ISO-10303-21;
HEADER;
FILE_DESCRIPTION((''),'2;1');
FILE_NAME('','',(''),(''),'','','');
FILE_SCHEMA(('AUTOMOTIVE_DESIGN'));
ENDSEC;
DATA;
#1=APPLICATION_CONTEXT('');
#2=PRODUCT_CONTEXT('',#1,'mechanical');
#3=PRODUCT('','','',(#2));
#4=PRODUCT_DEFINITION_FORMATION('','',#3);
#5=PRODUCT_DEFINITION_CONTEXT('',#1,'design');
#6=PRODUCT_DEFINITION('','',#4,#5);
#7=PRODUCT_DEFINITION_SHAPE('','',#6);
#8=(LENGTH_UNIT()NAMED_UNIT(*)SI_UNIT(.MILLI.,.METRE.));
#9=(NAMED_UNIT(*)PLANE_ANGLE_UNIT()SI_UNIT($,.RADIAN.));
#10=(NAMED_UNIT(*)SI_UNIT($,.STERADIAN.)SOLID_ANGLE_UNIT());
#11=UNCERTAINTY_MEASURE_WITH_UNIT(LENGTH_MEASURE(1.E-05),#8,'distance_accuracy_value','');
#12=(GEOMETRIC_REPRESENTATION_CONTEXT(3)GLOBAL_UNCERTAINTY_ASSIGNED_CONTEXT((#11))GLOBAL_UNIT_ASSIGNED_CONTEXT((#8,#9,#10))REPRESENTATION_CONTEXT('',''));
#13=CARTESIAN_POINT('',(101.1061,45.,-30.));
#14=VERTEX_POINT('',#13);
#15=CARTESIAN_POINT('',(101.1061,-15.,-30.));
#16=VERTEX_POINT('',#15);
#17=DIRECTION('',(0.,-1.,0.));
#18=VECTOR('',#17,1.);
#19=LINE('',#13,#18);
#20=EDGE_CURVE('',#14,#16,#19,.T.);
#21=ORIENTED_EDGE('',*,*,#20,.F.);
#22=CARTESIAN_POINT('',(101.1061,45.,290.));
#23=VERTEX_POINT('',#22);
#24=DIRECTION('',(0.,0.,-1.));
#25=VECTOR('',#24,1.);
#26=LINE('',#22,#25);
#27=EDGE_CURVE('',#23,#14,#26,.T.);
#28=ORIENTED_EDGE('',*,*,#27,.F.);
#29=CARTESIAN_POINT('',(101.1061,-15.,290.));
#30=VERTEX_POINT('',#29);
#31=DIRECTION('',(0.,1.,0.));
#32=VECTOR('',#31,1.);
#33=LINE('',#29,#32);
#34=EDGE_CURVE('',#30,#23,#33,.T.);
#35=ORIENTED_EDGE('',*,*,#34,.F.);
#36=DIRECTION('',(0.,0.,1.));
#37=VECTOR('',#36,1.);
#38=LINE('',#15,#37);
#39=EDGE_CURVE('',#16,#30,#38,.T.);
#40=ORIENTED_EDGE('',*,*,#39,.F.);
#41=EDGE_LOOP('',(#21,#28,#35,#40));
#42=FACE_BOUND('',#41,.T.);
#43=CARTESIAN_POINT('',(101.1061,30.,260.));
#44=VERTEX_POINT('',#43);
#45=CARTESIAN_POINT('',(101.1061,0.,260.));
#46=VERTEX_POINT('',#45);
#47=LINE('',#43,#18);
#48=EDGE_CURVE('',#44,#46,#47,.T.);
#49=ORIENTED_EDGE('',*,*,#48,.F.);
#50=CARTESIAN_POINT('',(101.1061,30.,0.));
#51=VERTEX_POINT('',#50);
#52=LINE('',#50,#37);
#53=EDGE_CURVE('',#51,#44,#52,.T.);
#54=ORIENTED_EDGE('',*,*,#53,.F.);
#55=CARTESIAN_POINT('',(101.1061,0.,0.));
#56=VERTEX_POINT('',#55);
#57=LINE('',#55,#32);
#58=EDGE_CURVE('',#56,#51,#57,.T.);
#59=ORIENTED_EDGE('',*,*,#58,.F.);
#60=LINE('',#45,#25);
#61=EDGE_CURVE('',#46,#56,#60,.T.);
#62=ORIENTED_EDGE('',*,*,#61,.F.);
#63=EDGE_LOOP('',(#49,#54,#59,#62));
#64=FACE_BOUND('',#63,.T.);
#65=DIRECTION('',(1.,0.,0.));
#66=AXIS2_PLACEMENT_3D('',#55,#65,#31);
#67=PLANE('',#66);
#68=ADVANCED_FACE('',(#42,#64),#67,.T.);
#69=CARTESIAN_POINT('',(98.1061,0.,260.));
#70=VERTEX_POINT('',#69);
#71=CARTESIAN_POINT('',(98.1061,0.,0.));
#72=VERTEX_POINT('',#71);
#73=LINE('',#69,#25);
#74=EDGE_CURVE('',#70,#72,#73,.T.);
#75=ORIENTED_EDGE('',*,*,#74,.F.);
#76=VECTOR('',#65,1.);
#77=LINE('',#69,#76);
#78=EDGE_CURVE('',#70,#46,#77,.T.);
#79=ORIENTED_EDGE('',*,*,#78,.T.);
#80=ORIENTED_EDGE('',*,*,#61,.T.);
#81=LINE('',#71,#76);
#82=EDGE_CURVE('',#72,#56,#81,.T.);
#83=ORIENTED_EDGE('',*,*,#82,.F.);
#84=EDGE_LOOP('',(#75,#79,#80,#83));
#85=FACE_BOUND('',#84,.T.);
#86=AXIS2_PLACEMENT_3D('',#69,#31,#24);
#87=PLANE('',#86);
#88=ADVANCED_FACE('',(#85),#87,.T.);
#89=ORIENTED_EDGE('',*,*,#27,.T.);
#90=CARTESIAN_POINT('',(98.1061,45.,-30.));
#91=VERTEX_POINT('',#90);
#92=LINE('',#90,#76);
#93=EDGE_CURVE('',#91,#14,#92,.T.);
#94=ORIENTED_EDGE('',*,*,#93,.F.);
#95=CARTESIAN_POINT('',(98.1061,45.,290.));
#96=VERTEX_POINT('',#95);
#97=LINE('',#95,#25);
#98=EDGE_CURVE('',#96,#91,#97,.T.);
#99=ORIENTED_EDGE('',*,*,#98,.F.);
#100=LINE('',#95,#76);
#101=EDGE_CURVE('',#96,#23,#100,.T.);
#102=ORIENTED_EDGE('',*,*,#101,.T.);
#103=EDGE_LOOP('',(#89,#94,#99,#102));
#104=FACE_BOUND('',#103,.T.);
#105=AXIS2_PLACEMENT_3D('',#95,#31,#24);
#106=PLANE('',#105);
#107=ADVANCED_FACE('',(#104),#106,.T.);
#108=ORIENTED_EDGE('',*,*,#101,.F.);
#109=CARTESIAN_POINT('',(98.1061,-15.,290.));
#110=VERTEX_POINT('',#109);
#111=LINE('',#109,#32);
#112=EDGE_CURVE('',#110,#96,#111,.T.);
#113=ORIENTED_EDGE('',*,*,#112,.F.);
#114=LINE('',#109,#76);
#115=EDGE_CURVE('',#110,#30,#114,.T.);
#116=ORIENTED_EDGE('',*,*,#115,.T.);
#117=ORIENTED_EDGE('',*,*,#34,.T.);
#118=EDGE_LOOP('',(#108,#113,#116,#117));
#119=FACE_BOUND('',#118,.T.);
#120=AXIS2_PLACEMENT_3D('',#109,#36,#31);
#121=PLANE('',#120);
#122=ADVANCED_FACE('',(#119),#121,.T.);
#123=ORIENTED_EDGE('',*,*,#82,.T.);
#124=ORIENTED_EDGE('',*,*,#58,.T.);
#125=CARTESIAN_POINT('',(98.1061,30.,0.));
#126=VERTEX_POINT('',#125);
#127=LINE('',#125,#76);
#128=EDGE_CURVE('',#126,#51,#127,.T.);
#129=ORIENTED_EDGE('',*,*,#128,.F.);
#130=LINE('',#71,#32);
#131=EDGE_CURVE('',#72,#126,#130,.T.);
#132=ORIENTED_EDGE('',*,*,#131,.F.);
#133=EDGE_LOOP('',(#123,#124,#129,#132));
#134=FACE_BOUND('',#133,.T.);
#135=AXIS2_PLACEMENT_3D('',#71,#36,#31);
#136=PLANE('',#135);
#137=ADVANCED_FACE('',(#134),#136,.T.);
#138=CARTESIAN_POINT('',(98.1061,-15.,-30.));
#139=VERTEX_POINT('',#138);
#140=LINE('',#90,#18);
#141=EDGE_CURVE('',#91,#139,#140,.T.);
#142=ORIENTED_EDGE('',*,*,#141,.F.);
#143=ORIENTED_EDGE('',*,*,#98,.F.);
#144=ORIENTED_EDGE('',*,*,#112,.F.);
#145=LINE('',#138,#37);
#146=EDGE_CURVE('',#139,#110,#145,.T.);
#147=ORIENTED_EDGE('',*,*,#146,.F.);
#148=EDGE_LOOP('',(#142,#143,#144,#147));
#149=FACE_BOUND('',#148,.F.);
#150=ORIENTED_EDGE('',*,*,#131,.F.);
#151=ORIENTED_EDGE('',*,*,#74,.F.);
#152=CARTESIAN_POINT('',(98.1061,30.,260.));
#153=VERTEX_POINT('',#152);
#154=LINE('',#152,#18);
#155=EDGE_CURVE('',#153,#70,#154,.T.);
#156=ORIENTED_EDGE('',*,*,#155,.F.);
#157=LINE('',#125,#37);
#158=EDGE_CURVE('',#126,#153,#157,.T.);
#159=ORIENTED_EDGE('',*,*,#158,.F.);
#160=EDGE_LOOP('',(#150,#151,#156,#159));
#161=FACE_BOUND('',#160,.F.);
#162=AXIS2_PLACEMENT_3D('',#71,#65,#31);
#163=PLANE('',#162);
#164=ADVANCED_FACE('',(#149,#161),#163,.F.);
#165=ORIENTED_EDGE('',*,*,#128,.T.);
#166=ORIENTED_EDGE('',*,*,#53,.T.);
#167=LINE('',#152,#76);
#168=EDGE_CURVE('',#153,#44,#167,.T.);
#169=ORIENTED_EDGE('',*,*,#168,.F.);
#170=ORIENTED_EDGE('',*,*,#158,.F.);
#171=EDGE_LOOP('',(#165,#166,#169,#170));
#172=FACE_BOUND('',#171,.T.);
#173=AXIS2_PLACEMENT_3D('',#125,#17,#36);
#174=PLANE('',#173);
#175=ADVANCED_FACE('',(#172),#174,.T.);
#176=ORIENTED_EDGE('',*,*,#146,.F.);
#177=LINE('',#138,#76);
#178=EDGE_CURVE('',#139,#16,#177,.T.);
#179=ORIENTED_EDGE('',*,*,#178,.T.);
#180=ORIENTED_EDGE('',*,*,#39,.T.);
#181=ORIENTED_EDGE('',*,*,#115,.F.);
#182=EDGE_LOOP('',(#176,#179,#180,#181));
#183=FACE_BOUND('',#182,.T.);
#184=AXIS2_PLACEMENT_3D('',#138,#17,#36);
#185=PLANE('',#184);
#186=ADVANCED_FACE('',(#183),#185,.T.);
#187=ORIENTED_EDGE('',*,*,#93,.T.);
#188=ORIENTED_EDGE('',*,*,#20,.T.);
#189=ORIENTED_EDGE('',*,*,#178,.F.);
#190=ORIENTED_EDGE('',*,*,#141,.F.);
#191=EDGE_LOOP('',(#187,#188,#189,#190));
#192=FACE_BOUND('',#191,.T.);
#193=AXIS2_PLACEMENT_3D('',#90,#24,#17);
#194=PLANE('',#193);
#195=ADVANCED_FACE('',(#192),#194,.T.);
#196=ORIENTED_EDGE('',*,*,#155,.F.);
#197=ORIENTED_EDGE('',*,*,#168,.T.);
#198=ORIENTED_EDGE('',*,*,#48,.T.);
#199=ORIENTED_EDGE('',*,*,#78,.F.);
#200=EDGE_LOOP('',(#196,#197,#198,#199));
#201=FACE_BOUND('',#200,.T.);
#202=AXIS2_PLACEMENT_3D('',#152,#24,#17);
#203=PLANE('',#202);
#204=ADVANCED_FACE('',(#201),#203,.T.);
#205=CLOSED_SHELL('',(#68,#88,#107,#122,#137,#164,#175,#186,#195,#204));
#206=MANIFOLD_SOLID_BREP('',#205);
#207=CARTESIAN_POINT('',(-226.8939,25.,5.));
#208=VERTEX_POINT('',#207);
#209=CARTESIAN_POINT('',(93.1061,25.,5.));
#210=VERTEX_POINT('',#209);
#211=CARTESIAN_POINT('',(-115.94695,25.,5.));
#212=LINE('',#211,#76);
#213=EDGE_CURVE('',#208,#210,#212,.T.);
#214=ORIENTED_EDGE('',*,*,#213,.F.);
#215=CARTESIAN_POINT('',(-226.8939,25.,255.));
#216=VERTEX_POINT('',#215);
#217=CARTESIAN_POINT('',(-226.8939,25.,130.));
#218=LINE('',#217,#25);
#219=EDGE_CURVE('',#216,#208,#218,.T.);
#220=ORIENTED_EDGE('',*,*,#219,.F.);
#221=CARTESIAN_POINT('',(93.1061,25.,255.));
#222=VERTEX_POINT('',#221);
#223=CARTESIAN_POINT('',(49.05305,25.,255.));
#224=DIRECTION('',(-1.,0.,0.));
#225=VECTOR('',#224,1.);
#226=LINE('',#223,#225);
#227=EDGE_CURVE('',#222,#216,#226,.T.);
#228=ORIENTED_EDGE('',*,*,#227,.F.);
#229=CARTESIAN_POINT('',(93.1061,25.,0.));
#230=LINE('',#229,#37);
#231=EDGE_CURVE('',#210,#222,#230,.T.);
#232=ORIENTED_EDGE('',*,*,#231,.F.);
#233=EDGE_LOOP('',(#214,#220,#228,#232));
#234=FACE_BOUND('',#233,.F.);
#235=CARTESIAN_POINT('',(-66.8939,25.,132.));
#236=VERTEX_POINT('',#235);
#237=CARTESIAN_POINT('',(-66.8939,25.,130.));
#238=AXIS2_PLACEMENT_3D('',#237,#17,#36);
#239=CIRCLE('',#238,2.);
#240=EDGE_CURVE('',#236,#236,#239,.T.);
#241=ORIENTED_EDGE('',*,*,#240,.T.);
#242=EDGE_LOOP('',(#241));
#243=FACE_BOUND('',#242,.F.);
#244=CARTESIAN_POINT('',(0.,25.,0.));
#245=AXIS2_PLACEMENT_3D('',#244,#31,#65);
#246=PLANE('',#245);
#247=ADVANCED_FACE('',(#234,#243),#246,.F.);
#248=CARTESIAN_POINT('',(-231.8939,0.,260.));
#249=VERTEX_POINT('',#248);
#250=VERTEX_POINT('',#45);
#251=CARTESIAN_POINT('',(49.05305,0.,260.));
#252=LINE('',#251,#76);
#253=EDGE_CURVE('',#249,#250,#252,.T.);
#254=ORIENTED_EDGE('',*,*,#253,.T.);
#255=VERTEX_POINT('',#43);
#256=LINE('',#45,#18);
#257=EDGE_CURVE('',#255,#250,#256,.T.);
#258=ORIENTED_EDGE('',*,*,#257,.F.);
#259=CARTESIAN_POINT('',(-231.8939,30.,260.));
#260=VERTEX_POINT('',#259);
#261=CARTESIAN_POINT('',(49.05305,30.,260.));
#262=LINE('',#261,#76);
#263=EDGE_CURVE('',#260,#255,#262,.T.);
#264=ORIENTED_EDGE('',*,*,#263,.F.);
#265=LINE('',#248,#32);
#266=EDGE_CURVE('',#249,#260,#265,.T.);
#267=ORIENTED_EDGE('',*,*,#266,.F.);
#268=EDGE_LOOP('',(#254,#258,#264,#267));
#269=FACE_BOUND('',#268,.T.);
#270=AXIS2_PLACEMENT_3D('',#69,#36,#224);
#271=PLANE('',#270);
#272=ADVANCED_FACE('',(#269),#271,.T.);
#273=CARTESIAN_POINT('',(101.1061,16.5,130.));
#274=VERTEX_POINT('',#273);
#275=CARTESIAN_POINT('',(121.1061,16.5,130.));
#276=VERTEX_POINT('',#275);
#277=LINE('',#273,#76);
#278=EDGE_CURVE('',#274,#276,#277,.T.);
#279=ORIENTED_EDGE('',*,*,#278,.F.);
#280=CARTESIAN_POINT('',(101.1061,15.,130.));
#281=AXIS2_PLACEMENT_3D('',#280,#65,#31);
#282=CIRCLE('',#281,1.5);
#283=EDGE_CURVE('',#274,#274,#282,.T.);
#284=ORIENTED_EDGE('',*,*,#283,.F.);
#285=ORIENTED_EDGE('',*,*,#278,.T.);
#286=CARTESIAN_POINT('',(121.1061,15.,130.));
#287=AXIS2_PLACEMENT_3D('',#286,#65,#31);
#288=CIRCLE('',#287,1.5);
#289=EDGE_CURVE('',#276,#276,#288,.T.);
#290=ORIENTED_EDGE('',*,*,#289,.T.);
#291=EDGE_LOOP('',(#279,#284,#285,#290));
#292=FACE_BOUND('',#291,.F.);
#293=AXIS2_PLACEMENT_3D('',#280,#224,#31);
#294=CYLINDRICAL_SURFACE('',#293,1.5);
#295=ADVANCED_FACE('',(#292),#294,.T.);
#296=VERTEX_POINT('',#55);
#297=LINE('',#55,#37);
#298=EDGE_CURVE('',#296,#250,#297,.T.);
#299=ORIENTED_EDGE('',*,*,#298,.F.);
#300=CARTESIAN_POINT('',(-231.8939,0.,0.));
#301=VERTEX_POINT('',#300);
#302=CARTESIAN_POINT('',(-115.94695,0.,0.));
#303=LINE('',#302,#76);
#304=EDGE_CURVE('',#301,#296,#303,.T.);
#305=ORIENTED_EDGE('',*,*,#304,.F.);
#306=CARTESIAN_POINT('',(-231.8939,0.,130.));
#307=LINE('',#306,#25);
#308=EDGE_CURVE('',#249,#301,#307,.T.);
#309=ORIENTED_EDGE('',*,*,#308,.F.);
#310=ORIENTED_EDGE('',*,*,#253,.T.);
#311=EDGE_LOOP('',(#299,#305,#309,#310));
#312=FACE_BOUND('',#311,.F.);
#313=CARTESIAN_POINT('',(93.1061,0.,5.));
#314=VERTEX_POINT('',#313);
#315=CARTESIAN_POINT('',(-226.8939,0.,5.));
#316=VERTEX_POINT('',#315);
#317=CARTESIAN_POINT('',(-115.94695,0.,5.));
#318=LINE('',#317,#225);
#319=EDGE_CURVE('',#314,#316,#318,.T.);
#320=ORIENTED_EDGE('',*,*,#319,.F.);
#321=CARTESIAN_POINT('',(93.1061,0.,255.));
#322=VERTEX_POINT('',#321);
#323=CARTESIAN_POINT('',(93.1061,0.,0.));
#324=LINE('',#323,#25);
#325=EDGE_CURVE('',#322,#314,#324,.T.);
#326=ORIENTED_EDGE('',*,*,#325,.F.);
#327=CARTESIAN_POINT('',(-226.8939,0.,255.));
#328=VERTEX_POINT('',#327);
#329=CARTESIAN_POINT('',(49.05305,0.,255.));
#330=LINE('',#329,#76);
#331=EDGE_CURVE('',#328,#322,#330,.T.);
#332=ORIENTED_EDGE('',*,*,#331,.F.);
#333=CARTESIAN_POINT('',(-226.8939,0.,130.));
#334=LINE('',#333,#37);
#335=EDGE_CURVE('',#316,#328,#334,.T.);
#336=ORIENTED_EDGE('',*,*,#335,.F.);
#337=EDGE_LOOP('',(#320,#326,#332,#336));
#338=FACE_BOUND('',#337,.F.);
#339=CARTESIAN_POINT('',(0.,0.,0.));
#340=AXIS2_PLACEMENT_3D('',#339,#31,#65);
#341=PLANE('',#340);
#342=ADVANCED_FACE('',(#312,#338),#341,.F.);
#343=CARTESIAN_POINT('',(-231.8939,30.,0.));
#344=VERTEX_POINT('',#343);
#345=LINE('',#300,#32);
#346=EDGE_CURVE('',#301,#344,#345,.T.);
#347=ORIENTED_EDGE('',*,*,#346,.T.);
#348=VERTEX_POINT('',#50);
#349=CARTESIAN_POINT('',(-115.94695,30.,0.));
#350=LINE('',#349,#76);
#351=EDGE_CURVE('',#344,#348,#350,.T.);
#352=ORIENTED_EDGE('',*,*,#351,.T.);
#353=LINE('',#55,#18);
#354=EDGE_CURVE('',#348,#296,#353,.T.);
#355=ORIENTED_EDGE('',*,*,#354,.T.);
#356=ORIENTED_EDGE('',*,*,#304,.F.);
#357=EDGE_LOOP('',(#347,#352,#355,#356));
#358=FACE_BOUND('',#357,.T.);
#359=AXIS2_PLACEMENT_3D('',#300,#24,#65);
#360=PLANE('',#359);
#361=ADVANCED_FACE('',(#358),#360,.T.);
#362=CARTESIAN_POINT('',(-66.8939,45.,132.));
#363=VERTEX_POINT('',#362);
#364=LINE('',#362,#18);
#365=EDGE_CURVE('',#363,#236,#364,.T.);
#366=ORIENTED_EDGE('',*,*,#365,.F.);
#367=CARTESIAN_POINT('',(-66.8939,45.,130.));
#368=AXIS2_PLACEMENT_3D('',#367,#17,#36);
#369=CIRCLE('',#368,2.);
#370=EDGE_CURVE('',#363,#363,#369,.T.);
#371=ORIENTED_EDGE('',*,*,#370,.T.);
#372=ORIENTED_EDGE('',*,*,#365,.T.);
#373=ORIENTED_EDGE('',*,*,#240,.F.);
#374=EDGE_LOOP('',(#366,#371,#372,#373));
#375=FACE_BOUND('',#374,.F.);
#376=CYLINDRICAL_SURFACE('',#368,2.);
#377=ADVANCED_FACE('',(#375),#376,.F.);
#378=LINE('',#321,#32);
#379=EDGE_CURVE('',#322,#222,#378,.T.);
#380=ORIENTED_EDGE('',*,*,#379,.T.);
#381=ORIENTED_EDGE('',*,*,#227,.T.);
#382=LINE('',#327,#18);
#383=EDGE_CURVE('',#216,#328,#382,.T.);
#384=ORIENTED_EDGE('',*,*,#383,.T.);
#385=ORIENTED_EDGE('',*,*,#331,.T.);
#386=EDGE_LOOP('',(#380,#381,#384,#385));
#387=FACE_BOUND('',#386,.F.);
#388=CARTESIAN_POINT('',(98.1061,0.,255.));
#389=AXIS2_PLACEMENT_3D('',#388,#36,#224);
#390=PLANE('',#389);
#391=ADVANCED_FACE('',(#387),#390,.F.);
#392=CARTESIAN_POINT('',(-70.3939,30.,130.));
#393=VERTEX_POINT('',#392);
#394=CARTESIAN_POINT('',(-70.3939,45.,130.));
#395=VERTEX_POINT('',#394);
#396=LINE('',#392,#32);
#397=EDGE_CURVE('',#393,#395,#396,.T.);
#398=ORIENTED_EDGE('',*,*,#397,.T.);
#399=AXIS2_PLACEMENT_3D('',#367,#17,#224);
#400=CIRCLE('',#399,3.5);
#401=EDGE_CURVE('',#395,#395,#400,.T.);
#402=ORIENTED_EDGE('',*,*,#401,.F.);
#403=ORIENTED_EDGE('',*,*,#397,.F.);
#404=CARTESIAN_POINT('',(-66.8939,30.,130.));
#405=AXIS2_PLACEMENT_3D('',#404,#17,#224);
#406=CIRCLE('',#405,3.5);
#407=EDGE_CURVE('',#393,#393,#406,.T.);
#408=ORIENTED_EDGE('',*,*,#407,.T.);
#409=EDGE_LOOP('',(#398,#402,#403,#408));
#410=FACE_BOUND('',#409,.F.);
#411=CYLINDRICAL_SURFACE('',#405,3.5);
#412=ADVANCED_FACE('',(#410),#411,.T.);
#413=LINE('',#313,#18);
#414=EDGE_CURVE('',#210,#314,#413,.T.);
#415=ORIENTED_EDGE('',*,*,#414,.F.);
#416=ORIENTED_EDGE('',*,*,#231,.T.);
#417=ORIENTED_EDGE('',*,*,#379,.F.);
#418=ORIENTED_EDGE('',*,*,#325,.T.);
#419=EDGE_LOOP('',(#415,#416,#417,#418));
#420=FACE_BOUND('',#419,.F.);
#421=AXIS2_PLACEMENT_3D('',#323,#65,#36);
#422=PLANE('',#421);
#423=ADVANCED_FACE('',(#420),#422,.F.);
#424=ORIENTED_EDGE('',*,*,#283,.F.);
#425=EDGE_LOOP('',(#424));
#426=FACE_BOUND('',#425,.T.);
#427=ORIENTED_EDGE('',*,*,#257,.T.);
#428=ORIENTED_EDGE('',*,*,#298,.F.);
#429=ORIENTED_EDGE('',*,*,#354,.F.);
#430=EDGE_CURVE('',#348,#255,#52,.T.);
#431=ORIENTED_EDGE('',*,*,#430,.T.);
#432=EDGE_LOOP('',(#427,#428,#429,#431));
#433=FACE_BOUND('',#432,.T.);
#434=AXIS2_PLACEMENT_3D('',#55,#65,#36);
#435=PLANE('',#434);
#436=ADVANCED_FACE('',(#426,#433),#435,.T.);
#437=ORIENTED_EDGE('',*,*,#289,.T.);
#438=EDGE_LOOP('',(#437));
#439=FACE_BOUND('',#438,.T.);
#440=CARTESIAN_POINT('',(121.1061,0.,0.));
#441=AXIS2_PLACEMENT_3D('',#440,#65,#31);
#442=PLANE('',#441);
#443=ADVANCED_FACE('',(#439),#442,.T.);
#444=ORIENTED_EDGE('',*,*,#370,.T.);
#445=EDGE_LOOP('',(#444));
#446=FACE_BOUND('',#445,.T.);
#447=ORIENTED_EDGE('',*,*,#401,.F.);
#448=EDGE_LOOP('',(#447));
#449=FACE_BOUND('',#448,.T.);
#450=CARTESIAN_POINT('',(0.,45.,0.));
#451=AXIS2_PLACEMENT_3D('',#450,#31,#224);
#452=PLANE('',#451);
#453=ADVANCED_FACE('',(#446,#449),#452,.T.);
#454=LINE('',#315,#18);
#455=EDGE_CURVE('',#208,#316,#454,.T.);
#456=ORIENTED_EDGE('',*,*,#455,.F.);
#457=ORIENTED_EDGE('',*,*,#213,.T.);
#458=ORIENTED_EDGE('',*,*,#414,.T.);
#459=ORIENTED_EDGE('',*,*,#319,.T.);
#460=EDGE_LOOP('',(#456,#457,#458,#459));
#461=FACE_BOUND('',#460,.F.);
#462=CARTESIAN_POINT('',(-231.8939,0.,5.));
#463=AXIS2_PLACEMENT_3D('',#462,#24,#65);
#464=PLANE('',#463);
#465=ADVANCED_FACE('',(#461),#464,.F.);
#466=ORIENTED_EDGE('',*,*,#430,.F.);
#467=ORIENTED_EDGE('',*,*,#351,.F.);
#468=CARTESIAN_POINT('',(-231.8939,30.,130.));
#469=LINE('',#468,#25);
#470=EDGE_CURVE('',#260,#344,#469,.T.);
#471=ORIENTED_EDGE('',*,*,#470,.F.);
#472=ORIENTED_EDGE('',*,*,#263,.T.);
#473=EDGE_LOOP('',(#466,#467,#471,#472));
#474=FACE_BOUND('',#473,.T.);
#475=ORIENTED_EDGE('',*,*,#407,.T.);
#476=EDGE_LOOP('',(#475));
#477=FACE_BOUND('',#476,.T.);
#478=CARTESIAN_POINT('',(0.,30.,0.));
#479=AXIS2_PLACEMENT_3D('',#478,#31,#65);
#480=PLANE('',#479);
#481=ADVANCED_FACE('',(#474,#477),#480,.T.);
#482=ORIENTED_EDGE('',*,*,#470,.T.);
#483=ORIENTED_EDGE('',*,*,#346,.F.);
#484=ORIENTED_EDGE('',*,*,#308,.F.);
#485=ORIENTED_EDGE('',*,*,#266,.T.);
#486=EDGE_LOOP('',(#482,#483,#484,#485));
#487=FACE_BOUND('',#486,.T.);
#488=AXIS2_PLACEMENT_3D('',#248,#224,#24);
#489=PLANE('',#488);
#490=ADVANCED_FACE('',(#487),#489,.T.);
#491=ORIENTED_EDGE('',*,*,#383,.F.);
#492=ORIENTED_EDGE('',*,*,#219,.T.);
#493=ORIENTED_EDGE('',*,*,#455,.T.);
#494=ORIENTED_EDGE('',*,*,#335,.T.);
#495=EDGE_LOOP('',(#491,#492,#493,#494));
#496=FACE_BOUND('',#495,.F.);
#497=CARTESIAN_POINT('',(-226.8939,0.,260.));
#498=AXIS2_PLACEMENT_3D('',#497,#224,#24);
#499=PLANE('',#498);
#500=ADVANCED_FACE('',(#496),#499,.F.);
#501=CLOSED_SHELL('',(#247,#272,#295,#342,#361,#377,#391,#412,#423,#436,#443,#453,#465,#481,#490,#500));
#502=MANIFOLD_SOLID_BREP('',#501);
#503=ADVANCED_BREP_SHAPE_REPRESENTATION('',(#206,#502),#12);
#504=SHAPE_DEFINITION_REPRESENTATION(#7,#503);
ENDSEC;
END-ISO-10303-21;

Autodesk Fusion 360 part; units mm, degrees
sketch "Skizze1" plane through (0, 0, 0) normal (0, 1, 0) x (1, 0, 0)
  line L0 (-231.8939, 0) -> (98.1061, 0)
  line L1 (98.1061, 0) -> (98.1061, -260)
  line L2 (98.1061, -260) -> (-231.8939, -260)
  line L3 (-231.8939, -260) -> (-231.8939, 0)
  dimension "d1" = 260
  dimension "d2" = 330
extrude "Extrusion1" add sketch "Skizze1" along normal blind 30 makes body 1
shell "Schale1" thickness 5 removed faces 1 at (-121.8939, 0, 173.3333) on bodies 1
sketch "Skizze2" plane through (0, 30, 0) normal (0, 1, 0) x (-1, 0, 0)
  line L0 (231.8939, 260) -> (-98.1061, 260)
  line L1 (-98.1061, 260) -> (-98.1061, 0)
  line L2 (-98.1061, 0) -> (231.8939, 0)
  line L3 (231.8939, 0) -> (231.8939, 260)
  circle A0 centre (66.8939, 130) radius 3.5
  dimension "d6" = 7
  dimension "d7" = 130
  dimension "d8" = 130
  dimension "d9" = 165
  dimension "d10" = 165
extrude "Extrusion2" add sketch "Skizze2" along normal blind 15 contours A0 bodies 1
hole "Bohrung1" at (-66.8939, 45, 130) direction (0, -1, 0) diameter 4 depth 100 tip angle 180 bodies 1
sketch "Skizze3" plane through (98.1061, 0, 0) normal (1, 0, 0) x (0, 1, 0)
  line L0 (0, 260) -> (0, 0)
  line L1 (0, 0) -> (30, 0)
  line L2 (30, 0) -> (30, 260)
  line L3 (30, 260) -> (0, 260)
  line L4 (-15, 290) -> (45, 290)
  line L5 (45, 290) -> (45, -30)
  line L6 (45, -30) -> (-15, -30)
  line L7 (-15, -30) -> (-15, 290)
  dimension "d16" = 30
  dimension "d17" = 30
  dimension "d18" = 15
  dimension "d19" = 15
extrude "Extrusion3" add sketch "Skizze3" along normal blind 3 separate body makes body 2
move_face "Flächen versetzen1" offset 3 1 faces at (98.1061, 10, 86.6667) on bodies 1
sketch "Skizze4" plane through (101.1061, 0, 0) normal (1, 0, 0) x (0, 1, 0)
  line L0 (0, 260) -> (0, 0)
  line L1 (0, 0) -> (30, 0)
  line L2 (30, 0) -> (30, 260)
  line L3 (30, 260) -> (0, 260)
  circle A0 centre (15, 130) radius 1.5
  dimension "d23" = 3
  dimension "d24" = 130
  dimension "d25" = 130
  dimension "d26" = 15
  dimension "d27" = 15
extrude "Extrusion4" add sketch "Skizze4" along normal blind 20 contours A0 bodies 1
